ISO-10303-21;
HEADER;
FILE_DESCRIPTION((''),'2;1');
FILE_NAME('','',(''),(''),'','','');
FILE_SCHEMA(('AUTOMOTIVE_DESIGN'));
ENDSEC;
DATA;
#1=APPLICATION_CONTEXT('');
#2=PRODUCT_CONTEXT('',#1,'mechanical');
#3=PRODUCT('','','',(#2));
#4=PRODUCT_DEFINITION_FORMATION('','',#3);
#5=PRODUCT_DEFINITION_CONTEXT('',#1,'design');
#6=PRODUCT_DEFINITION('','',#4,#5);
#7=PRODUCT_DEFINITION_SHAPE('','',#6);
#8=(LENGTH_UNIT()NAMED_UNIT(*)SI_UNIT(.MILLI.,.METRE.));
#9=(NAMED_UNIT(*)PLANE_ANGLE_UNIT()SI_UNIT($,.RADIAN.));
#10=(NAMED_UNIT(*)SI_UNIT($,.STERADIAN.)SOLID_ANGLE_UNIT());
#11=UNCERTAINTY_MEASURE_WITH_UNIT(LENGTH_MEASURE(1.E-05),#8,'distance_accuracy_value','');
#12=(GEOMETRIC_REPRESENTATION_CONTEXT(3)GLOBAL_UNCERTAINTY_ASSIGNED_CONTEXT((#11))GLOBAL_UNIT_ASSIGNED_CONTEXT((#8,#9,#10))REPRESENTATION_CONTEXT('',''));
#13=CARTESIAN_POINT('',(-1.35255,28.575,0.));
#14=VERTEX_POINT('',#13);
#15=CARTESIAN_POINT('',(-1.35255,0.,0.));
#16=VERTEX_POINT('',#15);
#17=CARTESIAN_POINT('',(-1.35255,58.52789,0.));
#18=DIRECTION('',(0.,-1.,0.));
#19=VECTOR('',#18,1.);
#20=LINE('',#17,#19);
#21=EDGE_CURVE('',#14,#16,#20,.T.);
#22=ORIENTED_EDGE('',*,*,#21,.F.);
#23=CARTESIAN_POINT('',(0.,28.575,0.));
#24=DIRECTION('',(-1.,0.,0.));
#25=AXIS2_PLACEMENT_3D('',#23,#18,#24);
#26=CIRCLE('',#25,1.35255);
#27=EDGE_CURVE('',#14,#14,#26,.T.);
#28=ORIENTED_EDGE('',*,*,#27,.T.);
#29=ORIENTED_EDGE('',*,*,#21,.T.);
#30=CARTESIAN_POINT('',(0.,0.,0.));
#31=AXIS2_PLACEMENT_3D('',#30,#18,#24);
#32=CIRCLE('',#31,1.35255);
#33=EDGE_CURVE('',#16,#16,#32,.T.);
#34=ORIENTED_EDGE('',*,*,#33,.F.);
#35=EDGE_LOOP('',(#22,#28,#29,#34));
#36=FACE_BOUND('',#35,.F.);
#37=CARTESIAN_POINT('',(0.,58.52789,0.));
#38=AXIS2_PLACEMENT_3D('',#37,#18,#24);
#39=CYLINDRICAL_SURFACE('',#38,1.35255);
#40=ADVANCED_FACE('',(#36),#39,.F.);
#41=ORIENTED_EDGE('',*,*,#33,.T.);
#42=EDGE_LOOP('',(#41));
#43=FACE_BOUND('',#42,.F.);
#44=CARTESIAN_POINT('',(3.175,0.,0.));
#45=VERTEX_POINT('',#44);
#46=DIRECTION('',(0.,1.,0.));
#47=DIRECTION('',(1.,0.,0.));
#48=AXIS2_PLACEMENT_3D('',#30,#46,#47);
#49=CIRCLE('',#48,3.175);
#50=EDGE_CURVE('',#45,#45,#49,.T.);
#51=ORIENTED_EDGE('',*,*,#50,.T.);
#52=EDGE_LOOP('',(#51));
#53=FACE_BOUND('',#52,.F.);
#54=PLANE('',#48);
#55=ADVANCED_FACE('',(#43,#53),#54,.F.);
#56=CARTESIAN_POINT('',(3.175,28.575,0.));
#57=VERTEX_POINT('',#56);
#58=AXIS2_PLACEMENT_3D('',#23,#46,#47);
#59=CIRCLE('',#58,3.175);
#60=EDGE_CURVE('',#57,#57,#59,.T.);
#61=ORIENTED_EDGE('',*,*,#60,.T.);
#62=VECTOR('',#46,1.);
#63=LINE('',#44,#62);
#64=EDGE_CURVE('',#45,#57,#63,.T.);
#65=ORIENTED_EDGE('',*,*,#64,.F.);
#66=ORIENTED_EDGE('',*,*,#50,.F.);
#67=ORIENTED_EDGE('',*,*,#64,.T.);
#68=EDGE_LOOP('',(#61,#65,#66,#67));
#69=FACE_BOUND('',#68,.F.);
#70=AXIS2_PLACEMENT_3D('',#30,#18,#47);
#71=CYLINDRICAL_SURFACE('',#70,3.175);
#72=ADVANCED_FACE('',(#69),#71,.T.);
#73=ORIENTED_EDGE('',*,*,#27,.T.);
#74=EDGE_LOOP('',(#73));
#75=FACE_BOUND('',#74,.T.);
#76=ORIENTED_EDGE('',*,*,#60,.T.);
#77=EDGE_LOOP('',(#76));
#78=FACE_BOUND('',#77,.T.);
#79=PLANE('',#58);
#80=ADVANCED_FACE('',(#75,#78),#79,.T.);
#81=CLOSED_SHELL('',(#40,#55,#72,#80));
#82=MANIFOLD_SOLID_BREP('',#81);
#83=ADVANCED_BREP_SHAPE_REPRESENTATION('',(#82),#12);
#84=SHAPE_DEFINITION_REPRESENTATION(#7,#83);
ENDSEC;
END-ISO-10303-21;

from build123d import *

# Parameters (mm, degrees)
SKETCH1_R                 = 3.175
BOSS_EXTRUDE1_DEPTH       = 28.575
TAP_DRILL_FOR_6_32_TAP1_D = 2.7051


with BuildPart() as part:
    # Sketch1 → Boss-Extrude1 (new body)
    with BuildSketch(Plane(origin=(0, 0, 0), x_dir=(1, 0, 0), z_dir=(0, 1, 0))):
        Circle(SKETCH1_R)
    extrude(amount=BOSS_EXTRUDE1_DEPTH)

    # Tap Drill for #6-32 Tap1 (through all)
    with Locations(Plane(origin=(0, 28.575, 0), x_dir=(1, 0, 0), z_dir=(0, 1, 0))):
        with Locations((0, 0)):
            Hole(TAP_DRILL_FOR_6_32_TAP1_D / 2)


solid = part.part
